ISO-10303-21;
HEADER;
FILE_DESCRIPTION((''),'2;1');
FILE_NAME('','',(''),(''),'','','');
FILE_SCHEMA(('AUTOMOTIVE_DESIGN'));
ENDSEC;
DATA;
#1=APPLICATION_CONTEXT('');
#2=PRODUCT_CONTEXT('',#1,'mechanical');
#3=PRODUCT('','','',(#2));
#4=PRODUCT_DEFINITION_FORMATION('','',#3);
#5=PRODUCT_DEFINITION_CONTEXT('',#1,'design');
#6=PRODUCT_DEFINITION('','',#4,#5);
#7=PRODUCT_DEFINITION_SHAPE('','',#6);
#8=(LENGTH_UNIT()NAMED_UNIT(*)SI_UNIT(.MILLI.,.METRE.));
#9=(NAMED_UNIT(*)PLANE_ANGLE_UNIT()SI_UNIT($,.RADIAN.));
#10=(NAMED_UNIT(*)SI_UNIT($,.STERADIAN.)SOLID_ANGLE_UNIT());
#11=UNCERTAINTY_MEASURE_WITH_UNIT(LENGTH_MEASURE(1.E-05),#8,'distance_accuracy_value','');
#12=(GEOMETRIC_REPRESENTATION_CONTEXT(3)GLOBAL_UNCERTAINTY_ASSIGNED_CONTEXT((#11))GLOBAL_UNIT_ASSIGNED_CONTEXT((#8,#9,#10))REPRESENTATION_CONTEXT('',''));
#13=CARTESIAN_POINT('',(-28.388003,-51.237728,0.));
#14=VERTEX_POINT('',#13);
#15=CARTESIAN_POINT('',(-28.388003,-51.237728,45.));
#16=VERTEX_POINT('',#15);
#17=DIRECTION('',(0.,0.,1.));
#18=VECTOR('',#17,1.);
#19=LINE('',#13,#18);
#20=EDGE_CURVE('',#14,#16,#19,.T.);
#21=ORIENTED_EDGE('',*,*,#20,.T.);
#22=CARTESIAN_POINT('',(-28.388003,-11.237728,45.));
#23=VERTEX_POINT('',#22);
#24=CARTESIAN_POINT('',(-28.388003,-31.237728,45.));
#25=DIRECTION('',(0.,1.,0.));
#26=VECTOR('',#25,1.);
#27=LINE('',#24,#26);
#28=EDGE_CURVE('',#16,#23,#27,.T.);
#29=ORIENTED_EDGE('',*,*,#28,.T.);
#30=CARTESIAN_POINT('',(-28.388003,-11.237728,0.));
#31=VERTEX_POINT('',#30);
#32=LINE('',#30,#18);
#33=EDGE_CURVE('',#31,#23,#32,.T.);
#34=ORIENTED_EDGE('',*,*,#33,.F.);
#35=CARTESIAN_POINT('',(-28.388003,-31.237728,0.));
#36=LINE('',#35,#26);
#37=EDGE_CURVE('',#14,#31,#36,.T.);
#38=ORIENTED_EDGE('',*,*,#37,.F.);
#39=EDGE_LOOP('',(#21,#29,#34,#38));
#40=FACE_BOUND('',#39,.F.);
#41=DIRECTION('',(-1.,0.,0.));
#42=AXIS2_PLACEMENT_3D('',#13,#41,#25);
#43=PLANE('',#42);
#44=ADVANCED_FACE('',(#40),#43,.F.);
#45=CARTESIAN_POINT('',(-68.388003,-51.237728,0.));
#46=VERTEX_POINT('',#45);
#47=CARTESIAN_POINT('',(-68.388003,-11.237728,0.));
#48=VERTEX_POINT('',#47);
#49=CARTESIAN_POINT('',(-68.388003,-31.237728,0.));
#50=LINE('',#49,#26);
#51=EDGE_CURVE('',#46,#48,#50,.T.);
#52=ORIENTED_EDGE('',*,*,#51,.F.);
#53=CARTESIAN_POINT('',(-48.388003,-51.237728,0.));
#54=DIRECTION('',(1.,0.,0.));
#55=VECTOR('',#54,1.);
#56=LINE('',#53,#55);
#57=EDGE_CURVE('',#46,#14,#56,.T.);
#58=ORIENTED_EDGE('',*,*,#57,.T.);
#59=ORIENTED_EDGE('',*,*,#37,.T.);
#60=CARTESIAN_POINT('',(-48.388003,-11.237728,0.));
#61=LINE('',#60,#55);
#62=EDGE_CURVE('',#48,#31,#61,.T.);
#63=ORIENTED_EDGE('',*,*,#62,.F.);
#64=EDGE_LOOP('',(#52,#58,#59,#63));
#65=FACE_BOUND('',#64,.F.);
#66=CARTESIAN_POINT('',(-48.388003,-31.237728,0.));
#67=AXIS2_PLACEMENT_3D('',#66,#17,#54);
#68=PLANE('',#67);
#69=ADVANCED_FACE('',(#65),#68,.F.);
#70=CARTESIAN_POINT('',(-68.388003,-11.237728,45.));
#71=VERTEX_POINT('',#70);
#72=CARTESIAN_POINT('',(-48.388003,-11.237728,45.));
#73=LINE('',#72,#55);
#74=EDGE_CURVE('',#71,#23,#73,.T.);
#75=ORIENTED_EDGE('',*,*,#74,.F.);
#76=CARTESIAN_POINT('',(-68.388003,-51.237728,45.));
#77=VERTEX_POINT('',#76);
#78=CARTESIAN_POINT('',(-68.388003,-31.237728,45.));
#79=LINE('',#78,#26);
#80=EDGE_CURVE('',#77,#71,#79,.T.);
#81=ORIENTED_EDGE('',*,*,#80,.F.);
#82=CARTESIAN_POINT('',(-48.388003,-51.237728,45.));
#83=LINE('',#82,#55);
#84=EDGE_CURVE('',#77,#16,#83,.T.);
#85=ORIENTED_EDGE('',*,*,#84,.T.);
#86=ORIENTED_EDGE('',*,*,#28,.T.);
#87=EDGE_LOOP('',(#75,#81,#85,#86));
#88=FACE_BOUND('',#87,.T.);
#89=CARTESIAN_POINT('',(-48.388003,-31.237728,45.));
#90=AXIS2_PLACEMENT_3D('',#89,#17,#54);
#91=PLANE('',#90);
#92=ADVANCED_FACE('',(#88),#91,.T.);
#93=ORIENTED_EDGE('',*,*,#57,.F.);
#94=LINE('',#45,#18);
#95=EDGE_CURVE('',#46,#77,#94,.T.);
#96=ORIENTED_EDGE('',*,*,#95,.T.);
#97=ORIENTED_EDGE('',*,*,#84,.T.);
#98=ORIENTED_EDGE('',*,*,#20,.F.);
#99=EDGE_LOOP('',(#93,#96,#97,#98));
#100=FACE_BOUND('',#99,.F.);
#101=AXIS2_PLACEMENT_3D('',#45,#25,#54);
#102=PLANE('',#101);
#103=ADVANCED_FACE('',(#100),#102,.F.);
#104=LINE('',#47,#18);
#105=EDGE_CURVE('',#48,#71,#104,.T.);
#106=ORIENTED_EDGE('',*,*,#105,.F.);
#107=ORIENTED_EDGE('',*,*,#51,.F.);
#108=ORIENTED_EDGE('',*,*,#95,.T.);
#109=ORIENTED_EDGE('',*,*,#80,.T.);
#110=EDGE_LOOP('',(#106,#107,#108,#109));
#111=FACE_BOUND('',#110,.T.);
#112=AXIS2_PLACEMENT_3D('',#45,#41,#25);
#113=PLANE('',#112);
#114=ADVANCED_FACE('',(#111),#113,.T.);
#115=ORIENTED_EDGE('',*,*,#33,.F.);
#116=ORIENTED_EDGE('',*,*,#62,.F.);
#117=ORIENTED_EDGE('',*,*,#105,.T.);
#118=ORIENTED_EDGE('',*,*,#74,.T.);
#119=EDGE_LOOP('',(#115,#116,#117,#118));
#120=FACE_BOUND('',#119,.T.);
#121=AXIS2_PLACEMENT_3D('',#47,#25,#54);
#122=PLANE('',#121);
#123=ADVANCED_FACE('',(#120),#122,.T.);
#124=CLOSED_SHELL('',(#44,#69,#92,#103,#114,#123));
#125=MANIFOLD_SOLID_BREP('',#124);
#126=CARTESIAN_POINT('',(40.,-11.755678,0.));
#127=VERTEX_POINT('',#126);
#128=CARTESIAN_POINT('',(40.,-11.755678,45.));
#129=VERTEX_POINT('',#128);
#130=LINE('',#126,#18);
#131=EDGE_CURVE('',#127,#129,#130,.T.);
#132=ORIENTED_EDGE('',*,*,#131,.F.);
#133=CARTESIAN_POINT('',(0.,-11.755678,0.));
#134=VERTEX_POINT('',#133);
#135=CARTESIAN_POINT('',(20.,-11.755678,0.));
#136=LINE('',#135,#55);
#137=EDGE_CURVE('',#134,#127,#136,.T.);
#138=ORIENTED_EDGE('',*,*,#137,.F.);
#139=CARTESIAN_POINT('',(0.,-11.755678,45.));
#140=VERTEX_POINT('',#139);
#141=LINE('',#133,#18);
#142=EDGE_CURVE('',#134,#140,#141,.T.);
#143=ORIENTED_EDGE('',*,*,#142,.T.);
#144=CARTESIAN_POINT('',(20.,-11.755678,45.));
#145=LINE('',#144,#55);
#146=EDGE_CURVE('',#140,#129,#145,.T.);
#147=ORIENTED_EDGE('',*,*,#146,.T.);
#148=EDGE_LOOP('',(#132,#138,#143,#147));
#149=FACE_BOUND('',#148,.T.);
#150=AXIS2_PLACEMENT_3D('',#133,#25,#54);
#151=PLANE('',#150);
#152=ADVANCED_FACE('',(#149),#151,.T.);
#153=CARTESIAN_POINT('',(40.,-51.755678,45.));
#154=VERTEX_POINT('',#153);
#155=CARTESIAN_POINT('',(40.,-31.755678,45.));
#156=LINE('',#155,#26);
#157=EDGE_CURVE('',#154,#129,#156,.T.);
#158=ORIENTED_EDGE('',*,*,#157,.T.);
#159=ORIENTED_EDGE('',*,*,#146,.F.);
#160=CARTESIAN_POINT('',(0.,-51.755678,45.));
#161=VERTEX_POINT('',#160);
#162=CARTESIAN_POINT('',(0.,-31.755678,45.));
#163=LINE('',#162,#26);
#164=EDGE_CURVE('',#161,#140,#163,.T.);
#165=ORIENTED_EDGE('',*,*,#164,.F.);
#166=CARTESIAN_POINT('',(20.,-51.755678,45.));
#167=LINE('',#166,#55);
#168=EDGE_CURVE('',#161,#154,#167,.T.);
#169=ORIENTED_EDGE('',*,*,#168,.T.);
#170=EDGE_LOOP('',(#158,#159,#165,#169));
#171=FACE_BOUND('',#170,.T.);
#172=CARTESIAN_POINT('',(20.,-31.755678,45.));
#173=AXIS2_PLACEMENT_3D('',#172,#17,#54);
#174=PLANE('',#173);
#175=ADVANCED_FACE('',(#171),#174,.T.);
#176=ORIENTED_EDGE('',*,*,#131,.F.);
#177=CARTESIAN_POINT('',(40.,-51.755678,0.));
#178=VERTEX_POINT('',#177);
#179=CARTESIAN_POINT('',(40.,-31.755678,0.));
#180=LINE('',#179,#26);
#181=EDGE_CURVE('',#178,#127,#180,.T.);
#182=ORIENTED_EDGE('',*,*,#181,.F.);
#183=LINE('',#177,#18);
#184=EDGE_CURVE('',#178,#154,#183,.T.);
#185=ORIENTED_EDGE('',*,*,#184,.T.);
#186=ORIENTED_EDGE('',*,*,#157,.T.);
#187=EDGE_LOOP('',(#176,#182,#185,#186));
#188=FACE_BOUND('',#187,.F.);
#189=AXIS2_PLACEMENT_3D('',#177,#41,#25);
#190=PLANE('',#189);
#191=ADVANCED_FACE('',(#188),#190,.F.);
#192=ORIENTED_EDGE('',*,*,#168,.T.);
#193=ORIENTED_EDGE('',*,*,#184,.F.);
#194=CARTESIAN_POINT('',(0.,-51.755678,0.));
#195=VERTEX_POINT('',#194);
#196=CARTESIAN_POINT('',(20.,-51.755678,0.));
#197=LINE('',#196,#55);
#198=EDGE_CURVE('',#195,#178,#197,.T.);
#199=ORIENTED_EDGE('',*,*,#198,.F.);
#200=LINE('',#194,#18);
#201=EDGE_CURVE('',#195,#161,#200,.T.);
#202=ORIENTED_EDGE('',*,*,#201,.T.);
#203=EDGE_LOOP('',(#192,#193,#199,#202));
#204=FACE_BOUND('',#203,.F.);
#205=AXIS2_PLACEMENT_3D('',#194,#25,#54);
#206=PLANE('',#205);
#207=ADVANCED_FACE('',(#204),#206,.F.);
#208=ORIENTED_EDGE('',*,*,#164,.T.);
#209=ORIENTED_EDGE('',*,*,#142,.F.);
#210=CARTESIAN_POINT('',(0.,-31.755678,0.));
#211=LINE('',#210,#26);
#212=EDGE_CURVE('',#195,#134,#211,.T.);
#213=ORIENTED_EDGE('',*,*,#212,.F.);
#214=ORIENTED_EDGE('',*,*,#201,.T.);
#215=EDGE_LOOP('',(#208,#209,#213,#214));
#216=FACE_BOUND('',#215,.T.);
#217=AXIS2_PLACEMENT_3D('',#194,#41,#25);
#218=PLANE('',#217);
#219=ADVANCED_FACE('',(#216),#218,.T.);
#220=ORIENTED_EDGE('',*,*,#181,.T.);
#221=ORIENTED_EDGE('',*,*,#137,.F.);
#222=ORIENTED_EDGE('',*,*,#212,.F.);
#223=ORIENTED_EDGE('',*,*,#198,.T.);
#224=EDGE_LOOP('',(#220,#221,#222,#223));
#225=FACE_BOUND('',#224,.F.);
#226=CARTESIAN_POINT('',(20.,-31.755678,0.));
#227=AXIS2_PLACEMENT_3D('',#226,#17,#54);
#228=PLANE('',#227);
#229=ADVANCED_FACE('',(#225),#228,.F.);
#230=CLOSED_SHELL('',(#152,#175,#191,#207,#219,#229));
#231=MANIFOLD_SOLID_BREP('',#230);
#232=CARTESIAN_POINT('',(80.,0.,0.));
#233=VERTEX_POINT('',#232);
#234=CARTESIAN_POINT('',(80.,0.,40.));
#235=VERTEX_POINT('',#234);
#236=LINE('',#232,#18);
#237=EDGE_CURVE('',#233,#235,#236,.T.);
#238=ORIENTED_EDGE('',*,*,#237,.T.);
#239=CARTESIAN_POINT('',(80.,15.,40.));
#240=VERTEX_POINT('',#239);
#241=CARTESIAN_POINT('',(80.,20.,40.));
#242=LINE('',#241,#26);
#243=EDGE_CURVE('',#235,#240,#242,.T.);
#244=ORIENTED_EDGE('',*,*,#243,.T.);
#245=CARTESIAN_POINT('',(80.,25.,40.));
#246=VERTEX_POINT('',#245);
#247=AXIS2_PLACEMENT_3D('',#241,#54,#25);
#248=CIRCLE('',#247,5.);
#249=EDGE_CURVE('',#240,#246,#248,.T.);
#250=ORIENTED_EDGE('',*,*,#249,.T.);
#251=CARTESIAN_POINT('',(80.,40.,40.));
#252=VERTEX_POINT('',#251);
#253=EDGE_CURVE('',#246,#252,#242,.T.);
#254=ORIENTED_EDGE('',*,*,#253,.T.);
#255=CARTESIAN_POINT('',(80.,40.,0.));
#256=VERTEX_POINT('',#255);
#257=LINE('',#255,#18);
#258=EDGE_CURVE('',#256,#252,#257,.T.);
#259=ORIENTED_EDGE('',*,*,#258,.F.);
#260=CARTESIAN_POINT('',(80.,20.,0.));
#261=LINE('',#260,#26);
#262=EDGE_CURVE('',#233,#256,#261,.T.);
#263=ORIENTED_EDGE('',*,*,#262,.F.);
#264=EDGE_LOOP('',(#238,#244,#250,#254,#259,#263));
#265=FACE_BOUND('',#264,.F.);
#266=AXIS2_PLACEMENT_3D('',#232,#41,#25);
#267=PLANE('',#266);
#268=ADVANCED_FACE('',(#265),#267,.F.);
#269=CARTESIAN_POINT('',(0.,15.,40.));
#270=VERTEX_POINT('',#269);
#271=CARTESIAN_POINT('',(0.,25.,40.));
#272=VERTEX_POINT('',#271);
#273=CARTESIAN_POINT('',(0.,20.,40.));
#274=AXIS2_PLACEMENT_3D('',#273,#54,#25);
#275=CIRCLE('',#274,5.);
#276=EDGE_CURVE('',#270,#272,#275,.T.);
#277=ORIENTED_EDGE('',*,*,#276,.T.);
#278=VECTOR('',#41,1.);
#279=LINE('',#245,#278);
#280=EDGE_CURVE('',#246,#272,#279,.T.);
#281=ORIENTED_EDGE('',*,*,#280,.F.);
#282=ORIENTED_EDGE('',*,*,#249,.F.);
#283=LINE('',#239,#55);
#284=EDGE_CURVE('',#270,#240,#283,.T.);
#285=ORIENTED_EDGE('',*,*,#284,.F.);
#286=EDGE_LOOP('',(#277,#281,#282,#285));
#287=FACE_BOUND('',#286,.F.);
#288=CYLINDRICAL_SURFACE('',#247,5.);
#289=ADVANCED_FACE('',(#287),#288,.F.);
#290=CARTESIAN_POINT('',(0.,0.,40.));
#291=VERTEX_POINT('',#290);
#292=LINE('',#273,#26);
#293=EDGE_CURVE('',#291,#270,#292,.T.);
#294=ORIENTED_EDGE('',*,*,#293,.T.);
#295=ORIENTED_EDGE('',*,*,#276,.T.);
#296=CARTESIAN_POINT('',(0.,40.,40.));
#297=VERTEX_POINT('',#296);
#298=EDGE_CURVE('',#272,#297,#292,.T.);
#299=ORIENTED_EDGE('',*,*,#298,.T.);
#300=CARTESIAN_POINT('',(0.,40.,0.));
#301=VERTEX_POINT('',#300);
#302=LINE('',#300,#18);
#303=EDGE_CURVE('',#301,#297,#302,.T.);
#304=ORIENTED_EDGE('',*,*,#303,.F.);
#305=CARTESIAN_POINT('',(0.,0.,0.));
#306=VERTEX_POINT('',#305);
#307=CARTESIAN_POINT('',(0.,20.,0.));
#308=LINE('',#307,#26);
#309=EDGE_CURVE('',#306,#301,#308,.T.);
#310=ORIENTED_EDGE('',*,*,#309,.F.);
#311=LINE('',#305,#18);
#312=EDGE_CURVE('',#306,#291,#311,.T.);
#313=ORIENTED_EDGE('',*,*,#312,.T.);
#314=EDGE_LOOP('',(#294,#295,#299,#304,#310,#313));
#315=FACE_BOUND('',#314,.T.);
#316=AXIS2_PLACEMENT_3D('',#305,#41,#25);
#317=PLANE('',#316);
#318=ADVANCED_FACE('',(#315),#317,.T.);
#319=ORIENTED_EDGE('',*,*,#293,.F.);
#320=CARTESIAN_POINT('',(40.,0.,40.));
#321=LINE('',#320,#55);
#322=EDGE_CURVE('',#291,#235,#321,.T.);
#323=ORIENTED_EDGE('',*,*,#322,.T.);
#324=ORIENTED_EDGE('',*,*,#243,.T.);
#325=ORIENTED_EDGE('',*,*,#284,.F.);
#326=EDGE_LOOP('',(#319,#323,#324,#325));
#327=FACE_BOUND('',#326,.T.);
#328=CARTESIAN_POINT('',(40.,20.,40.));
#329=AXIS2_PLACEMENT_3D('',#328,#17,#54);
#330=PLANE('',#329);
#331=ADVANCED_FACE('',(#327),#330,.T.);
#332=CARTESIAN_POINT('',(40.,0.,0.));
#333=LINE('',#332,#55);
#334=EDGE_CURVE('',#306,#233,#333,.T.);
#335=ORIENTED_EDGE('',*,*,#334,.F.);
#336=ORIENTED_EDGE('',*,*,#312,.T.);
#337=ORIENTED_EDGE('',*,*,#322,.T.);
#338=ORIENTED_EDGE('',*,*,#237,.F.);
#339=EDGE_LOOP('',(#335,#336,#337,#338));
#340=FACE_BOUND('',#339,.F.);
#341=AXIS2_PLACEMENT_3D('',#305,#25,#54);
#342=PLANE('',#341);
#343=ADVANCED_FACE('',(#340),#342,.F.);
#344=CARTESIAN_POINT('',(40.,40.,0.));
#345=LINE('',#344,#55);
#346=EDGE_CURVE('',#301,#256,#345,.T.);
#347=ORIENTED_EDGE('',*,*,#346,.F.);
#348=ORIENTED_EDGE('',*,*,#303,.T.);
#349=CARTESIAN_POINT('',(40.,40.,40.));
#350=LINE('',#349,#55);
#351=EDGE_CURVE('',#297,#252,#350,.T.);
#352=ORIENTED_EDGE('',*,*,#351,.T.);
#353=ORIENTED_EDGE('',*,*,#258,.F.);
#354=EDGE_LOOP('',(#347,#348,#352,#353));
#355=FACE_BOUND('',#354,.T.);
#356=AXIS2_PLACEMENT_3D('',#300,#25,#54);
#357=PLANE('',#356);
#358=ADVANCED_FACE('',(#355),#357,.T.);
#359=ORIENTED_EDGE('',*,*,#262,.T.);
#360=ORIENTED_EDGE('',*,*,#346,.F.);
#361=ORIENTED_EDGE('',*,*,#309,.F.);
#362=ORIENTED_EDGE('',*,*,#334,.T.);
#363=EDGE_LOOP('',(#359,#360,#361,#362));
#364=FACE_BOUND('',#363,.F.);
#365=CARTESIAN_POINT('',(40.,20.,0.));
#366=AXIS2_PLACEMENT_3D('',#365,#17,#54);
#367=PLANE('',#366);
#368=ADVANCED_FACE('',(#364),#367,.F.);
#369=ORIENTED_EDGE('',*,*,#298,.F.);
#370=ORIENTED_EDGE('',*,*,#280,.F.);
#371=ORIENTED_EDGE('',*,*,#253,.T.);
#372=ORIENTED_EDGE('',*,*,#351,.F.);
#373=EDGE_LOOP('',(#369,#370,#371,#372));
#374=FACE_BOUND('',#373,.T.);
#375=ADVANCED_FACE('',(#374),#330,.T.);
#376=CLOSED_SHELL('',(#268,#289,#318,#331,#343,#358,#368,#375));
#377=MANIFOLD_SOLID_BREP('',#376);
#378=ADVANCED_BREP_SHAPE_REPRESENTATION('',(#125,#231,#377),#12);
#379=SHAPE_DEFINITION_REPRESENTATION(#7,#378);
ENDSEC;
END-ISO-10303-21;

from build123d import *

# Parameters (mm, degrees)
F0_W     = 80
F0_H     = 40
F1_DEPTH = 40
F2_R     = 5
F3_DEPTH = 80
F4_W     = 40
F4_H     = 40
F5_DEPTH = 45


with BuildPart() as f1:
    # F0 (on Top) → F1 (new body)
    with BuildSketch(Plane.XY):
        with Locations((40, 20)):
            Rectangle(F0_W, F0_H)
    extrude(amount=F1_DEPTH)

    # F2 (on face) → F3 (cut)
    with BuildSketch(Plane.YZ.offset(80)):
        with Locations((20, 40)):
            Circle(F2_R)
    extrude(amount=-F3_DEPTH, mode=Mode.SUBTRACT)


with BuildPart() as f5:
    # F4 (on Top) → F5 (new body)
    with BuildSketch(Plane.XY):
        with Locations((20, -31.755678)):
            Rectangle(F4_W, F4_H)
        with Locations((-48.388003, -31.237728)):
            Rectangle(F4_W, F4_H)
    extrude(amount=F5_DEPTH)


solid = Compound([f1.part, f5.part])
